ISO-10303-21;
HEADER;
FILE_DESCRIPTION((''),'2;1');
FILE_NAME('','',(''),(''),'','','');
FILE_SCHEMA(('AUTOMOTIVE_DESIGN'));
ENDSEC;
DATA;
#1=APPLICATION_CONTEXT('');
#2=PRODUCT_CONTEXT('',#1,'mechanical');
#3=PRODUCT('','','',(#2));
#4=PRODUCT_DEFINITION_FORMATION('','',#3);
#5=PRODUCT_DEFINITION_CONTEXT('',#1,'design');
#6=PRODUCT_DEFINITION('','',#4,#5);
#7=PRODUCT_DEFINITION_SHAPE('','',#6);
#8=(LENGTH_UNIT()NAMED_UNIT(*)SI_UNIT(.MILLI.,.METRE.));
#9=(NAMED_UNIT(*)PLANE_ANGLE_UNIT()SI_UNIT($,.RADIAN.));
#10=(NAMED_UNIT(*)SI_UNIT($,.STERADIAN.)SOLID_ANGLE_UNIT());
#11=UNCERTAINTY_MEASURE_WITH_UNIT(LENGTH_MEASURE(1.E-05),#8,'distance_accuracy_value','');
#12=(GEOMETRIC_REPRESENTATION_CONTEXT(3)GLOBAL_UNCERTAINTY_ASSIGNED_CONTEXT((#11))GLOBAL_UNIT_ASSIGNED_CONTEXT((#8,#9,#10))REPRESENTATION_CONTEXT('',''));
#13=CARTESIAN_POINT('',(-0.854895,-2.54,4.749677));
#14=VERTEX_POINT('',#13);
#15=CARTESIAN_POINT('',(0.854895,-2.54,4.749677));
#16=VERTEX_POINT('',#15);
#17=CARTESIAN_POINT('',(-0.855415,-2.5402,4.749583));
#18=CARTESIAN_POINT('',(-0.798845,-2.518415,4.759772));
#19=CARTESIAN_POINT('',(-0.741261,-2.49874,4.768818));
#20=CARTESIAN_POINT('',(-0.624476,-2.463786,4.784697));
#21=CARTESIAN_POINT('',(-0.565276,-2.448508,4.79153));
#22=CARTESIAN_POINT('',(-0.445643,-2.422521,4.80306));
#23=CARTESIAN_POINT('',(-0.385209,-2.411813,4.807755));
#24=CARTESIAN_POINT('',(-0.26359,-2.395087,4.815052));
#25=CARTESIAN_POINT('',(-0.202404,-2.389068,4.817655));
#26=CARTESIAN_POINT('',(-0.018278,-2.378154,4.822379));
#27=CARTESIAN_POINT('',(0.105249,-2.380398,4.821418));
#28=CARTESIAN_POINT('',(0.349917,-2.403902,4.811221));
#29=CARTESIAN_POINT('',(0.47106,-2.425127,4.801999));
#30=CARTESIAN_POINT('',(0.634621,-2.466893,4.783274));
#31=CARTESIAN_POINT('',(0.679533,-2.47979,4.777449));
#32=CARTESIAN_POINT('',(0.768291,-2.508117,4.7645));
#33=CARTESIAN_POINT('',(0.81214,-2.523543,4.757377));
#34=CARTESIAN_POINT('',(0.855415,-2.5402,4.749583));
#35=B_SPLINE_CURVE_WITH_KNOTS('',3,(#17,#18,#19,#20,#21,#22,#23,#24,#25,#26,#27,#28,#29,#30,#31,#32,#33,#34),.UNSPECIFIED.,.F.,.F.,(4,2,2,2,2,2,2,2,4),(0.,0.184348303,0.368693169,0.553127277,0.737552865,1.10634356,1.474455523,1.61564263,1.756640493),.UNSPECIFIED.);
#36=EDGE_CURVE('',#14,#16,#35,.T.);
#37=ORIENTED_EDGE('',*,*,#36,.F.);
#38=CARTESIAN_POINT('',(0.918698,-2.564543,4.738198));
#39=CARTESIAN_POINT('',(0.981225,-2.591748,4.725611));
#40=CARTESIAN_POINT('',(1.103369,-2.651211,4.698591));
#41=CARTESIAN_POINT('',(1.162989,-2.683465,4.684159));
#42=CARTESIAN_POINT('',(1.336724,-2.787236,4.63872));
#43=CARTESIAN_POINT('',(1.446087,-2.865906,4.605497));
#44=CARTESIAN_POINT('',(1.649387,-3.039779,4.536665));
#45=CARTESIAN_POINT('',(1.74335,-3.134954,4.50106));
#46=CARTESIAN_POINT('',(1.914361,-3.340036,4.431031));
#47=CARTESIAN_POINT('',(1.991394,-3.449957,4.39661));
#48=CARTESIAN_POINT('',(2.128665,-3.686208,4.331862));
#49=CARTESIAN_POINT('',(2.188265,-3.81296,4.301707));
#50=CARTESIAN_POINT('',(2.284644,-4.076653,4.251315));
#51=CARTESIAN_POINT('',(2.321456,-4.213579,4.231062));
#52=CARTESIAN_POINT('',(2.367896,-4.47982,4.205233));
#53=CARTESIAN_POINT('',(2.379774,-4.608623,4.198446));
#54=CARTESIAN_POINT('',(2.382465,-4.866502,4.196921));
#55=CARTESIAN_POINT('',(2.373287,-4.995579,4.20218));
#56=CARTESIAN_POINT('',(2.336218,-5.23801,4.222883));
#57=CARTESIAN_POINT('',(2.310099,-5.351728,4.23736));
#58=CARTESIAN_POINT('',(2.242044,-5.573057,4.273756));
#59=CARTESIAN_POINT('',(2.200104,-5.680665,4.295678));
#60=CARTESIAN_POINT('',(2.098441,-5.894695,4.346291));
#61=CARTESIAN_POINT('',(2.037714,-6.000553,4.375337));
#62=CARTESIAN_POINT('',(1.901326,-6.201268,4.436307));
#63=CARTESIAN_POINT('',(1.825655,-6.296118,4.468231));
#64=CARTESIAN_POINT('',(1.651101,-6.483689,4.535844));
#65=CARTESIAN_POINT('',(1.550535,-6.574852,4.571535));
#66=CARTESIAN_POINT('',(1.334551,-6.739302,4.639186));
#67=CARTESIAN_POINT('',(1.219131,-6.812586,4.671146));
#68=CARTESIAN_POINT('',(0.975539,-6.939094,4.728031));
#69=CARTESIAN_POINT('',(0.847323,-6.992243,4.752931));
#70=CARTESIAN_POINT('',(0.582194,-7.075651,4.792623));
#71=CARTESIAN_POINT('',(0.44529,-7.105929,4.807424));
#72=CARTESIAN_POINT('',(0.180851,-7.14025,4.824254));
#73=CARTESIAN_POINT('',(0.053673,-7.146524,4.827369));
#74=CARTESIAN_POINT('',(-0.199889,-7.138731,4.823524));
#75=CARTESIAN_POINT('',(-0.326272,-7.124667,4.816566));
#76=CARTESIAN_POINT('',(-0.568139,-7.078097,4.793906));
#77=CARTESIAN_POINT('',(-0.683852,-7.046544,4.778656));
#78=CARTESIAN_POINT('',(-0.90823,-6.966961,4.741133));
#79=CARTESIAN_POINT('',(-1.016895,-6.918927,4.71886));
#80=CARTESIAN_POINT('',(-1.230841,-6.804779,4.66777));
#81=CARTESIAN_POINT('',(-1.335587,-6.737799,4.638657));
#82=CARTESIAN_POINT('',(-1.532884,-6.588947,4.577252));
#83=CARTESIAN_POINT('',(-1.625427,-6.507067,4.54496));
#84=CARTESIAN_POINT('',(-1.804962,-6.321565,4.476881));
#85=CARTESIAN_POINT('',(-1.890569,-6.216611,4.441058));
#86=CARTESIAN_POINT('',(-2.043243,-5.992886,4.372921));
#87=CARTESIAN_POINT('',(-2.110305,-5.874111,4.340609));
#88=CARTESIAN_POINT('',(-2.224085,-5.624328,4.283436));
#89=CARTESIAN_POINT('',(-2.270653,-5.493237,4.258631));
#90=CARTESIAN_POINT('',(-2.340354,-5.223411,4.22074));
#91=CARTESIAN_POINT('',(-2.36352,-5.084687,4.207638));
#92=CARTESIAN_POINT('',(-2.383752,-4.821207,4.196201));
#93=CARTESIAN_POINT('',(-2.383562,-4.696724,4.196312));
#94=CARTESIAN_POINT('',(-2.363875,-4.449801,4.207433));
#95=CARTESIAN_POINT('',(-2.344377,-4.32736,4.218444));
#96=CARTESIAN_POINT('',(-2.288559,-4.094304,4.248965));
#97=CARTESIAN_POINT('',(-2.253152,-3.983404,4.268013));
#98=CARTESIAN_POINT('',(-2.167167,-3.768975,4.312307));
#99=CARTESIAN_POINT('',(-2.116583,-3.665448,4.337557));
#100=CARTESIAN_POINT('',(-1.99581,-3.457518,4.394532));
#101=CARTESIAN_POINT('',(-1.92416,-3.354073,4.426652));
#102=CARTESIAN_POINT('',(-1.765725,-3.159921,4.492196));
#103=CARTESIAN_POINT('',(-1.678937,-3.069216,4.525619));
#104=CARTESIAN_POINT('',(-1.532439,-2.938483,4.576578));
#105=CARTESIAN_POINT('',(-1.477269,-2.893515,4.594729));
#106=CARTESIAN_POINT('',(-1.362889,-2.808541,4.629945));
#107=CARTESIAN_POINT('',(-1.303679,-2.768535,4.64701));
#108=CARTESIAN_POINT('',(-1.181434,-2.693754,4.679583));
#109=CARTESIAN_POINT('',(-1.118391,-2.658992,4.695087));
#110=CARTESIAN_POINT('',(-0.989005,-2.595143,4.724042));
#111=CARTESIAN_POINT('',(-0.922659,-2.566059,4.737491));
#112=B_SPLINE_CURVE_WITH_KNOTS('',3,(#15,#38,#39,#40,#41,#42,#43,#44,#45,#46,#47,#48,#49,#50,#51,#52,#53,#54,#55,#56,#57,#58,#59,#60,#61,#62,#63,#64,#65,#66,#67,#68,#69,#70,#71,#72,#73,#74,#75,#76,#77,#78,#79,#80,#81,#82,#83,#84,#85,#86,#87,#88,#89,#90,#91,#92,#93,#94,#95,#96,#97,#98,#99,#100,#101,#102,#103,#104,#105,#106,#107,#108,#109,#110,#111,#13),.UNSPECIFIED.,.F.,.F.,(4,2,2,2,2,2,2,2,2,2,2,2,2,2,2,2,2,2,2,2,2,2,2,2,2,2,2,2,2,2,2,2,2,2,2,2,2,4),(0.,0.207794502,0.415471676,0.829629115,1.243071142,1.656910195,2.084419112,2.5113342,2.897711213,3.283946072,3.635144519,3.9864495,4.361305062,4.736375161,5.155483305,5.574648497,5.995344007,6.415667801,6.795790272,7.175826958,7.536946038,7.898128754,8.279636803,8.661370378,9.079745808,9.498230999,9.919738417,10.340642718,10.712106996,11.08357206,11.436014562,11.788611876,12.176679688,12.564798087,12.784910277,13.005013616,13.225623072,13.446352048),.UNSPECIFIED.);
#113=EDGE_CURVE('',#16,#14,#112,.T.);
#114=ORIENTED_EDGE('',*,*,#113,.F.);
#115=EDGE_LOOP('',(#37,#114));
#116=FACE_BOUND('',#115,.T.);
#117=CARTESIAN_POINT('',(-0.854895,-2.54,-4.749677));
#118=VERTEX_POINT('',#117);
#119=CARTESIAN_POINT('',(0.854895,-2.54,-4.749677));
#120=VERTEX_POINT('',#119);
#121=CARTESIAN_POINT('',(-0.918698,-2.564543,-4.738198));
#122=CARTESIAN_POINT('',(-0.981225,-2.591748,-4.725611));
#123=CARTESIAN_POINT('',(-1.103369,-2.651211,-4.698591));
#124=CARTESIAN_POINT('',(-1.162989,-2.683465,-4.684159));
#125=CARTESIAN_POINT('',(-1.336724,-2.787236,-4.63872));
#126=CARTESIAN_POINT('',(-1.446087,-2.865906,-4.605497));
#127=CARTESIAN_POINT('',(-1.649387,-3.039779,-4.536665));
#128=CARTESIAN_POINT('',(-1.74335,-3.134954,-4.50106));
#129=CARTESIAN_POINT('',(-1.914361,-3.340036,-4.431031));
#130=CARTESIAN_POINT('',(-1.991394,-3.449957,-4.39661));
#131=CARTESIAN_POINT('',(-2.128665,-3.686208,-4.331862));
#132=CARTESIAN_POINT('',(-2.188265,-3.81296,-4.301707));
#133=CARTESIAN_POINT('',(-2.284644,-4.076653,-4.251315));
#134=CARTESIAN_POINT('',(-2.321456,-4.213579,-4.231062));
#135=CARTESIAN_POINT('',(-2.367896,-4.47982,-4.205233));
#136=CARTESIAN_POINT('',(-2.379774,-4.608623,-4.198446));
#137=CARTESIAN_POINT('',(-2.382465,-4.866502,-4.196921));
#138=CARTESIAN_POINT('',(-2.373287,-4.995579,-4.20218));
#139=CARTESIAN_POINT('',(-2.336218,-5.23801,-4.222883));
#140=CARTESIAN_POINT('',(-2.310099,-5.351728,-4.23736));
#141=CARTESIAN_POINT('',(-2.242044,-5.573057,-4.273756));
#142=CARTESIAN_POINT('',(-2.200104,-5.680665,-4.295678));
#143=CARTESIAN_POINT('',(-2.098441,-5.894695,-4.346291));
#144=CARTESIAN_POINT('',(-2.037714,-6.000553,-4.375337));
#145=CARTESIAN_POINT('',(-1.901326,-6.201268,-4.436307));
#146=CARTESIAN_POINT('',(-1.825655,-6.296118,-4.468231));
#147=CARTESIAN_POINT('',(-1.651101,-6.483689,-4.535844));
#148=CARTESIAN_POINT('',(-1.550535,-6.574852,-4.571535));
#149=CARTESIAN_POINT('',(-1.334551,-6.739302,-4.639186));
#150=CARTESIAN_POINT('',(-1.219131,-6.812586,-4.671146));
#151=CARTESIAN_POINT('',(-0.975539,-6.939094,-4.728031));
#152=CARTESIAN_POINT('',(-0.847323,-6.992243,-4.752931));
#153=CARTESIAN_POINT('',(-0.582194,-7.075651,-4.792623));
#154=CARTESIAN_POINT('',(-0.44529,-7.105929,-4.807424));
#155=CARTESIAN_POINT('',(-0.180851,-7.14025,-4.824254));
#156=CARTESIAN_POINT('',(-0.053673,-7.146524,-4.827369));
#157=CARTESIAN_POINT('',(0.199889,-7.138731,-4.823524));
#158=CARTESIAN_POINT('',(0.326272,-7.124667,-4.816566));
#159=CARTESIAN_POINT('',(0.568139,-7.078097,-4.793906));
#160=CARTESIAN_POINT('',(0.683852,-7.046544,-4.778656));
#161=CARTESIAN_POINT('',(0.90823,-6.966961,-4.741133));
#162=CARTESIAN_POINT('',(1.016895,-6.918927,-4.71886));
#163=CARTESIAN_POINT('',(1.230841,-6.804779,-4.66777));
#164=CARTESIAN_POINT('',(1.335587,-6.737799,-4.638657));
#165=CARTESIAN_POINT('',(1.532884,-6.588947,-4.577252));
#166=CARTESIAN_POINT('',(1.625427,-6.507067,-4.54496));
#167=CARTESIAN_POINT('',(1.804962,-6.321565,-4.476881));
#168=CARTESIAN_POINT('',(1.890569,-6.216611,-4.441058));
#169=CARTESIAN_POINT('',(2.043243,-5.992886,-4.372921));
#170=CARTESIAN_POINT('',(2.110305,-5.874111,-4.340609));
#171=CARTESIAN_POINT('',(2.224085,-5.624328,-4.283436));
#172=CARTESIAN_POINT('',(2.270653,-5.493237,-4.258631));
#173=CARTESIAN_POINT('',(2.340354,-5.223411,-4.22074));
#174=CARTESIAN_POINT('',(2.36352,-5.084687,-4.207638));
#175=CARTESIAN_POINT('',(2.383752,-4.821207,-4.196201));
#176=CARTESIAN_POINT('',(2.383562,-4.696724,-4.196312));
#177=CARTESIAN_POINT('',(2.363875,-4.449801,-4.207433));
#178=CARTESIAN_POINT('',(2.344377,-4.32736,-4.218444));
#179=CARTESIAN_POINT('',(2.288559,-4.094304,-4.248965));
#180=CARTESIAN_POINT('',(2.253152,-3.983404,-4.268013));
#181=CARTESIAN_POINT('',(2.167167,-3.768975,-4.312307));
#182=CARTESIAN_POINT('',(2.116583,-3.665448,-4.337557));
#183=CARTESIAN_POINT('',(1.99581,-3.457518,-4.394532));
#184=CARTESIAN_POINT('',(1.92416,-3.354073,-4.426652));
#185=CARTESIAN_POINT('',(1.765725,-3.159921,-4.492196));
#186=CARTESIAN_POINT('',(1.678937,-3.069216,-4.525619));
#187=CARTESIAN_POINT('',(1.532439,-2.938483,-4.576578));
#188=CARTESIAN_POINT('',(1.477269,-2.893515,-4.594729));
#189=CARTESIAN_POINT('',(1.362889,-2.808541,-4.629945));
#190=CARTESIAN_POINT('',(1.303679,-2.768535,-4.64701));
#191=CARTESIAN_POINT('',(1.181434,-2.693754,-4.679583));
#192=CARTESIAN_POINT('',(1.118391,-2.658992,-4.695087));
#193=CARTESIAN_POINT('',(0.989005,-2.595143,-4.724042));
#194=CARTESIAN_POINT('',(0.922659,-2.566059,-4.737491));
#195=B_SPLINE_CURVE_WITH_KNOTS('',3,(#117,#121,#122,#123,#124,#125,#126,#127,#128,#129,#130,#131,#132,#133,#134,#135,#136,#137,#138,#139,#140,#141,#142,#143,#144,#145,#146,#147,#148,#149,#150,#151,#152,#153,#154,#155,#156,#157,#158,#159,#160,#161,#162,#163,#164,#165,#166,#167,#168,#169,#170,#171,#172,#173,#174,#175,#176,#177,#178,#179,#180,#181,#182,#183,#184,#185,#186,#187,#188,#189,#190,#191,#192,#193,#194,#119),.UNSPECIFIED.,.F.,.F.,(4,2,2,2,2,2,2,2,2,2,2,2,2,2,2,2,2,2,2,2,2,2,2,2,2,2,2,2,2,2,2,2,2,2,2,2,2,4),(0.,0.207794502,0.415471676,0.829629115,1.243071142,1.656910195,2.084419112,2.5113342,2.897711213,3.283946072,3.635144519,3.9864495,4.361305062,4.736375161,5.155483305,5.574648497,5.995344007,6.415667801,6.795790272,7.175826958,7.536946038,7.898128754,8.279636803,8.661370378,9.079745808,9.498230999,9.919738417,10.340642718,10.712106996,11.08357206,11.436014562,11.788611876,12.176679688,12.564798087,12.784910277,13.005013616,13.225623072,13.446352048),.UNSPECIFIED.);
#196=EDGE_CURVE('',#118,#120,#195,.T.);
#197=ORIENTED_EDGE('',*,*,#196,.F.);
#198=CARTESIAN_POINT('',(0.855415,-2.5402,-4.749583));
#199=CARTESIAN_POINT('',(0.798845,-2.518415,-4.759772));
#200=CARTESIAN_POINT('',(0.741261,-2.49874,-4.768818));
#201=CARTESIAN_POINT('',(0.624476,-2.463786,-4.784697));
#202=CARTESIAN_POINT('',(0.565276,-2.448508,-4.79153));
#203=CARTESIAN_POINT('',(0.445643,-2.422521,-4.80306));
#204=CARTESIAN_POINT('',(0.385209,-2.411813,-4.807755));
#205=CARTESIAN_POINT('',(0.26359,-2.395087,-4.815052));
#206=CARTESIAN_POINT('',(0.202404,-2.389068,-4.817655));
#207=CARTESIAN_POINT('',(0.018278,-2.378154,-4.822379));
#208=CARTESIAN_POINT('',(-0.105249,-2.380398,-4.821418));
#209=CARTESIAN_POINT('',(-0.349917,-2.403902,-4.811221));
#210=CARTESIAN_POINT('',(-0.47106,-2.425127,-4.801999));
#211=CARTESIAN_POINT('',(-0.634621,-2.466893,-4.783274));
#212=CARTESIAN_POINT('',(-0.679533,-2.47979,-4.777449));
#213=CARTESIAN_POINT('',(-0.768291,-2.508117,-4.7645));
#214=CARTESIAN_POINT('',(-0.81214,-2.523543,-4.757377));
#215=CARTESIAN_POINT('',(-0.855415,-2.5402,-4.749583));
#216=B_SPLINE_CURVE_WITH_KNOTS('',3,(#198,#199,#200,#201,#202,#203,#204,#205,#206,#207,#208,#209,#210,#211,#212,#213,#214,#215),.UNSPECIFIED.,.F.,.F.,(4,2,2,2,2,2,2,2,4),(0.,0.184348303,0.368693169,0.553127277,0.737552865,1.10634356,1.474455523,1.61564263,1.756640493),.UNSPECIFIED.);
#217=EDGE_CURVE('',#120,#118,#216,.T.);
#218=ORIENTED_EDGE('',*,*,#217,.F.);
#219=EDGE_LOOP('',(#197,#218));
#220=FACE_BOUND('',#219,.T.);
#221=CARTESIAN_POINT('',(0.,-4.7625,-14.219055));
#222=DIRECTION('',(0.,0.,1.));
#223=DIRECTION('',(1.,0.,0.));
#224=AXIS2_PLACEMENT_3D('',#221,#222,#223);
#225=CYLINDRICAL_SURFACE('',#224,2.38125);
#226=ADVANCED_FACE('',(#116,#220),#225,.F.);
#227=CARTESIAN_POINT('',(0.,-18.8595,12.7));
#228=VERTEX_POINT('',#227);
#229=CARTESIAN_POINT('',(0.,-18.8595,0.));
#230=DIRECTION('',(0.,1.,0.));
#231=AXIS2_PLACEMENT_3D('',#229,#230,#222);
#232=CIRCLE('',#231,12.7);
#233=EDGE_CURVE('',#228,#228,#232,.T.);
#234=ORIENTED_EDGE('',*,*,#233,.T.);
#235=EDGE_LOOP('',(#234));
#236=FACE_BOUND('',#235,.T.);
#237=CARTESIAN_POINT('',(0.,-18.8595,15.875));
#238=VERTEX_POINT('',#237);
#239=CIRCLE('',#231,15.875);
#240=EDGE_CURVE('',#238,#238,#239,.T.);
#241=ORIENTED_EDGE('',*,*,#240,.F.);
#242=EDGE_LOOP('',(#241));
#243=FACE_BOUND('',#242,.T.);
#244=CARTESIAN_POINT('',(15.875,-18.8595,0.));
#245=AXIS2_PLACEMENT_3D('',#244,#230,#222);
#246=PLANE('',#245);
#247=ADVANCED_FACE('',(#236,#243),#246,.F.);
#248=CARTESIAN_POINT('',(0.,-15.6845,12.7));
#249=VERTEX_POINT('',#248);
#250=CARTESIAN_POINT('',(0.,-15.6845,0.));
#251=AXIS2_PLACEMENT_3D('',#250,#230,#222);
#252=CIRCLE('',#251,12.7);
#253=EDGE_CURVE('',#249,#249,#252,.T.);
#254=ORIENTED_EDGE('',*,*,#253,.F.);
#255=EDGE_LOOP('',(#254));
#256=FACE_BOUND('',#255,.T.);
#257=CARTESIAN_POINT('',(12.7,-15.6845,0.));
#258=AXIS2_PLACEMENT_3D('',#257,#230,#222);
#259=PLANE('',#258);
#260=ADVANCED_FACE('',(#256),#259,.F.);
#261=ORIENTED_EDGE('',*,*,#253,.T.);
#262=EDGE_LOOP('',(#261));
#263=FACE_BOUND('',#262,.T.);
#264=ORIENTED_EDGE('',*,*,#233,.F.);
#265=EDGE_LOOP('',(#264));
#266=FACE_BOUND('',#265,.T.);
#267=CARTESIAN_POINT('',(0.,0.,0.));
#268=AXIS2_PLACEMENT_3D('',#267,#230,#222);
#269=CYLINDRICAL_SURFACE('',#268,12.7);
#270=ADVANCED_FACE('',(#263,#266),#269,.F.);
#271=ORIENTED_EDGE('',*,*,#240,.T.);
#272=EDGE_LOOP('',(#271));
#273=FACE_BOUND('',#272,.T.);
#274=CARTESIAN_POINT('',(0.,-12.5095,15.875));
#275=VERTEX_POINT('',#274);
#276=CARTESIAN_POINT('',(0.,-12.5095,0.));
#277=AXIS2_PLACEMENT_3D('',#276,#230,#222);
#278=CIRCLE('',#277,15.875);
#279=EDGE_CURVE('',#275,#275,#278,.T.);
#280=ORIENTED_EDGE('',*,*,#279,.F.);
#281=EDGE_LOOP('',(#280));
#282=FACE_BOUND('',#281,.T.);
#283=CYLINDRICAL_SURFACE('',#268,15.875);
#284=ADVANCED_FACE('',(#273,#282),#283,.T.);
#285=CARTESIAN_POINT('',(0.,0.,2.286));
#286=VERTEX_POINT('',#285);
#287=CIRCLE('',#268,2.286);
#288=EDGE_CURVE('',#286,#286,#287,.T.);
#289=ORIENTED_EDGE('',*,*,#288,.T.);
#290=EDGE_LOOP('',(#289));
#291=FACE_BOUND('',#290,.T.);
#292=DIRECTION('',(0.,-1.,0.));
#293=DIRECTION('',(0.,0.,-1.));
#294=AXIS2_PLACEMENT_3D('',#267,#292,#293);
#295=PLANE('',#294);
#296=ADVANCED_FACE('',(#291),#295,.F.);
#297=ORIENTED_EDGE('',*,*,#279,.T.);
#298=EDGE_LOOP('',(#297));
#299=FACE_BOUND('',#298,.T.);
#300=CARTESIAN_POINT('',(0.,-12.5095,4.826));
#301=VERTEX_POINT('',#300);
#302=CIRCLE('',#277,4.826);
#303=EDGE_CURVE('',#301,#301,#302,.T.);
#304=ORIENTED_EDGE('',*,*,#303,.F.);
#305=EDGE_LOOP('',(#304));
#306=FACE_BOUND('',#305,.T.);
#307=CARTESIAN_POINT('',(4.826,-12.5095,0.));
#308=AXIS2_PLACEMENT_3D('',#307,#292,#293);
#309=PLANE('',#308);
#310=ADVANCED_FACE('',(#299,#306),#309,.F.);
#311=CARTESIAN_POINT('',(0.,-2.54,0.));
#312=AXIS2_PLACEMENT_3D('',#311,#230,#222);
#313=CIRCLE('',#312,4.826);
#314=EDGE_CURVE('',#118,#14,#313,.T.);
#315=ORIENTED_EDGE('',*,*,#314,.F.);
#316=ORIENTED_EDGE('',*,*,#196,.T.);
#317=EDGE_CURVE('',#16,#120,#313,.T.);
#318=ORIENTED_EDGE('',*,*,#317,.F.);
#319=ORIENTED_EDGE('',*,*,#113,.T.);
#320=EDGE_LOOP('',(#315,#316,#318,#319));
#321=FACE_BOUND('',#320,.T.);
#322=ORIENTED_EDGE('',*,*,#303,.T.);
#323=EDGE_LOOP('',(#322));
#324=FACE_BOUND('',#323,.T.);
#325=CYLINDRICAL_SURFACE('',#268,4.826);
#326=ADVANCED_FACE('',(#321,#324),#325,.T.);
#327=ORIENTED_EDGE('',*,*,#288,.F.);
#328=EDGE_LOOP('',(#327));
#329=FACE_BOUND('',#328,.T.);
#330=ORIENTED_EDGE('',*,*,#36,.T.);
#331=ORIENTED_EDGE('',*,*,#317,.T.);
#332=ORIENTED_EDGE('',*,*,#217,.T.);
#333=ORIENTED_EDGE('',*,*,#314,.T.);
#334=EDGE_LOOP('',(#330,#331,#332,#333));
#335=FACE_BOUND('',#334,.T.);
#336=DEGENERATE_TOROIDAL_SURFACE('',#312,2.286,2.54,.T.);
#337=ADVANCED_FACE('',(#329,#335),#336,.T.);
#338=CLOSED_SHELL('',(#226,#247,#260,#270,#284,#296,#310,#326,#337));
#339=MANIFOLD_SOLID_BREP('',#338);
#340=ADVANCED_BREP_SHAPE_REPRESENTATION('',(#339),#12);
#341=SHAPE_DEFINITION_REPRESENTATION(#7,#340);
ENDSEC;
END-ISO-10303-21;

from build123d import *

# Parameters (mm, degrees)
SKETCH3_R          = 2.38125
CUT_EXTRUDE1_DEPTH = 19.045054718


with BuildPart() as part:
    # Sketch1 → Revolve1 (revolve)
    with BuildSketch(Plane.XY):
        with BuildLine():
            Line((0, 0), (2.286, 0))
            ThreePointArc((2.286, 0), (4.082051224, -0.743948776), (4.826, -2.54))
            Line((4.826, -2.54), (4.826, -12.5095))
            Line((4.826, -12.5095), (15.875, -12.5095))
            Line((15.875, -12.5095), (15.875, -18.8595))
            Line((15.875, -18.8595), (12.7, -18.8595))
            Line((12.7, -18.8595), (12.7, -15.6845))
            Line((12.7, -15.6845), (0, -15.6845))
            Line((0, -15.6845), (0, 0))
        make_face()
    revolve(axis=Axis((0, 0, 0), (0, -1, 0)))

    # Sketch3 → Cut-Extrude1 (cut)
    with BuildSketch(Plane.XY.offset(4.826)):
        with Locations((0, -4.7625)):
            Circle(SKETCH3_R)
    extrude(amount=-CUT_EXTRUDE1_DEPTH, mode=Mode.SUBTRACT)


solid = part.part
